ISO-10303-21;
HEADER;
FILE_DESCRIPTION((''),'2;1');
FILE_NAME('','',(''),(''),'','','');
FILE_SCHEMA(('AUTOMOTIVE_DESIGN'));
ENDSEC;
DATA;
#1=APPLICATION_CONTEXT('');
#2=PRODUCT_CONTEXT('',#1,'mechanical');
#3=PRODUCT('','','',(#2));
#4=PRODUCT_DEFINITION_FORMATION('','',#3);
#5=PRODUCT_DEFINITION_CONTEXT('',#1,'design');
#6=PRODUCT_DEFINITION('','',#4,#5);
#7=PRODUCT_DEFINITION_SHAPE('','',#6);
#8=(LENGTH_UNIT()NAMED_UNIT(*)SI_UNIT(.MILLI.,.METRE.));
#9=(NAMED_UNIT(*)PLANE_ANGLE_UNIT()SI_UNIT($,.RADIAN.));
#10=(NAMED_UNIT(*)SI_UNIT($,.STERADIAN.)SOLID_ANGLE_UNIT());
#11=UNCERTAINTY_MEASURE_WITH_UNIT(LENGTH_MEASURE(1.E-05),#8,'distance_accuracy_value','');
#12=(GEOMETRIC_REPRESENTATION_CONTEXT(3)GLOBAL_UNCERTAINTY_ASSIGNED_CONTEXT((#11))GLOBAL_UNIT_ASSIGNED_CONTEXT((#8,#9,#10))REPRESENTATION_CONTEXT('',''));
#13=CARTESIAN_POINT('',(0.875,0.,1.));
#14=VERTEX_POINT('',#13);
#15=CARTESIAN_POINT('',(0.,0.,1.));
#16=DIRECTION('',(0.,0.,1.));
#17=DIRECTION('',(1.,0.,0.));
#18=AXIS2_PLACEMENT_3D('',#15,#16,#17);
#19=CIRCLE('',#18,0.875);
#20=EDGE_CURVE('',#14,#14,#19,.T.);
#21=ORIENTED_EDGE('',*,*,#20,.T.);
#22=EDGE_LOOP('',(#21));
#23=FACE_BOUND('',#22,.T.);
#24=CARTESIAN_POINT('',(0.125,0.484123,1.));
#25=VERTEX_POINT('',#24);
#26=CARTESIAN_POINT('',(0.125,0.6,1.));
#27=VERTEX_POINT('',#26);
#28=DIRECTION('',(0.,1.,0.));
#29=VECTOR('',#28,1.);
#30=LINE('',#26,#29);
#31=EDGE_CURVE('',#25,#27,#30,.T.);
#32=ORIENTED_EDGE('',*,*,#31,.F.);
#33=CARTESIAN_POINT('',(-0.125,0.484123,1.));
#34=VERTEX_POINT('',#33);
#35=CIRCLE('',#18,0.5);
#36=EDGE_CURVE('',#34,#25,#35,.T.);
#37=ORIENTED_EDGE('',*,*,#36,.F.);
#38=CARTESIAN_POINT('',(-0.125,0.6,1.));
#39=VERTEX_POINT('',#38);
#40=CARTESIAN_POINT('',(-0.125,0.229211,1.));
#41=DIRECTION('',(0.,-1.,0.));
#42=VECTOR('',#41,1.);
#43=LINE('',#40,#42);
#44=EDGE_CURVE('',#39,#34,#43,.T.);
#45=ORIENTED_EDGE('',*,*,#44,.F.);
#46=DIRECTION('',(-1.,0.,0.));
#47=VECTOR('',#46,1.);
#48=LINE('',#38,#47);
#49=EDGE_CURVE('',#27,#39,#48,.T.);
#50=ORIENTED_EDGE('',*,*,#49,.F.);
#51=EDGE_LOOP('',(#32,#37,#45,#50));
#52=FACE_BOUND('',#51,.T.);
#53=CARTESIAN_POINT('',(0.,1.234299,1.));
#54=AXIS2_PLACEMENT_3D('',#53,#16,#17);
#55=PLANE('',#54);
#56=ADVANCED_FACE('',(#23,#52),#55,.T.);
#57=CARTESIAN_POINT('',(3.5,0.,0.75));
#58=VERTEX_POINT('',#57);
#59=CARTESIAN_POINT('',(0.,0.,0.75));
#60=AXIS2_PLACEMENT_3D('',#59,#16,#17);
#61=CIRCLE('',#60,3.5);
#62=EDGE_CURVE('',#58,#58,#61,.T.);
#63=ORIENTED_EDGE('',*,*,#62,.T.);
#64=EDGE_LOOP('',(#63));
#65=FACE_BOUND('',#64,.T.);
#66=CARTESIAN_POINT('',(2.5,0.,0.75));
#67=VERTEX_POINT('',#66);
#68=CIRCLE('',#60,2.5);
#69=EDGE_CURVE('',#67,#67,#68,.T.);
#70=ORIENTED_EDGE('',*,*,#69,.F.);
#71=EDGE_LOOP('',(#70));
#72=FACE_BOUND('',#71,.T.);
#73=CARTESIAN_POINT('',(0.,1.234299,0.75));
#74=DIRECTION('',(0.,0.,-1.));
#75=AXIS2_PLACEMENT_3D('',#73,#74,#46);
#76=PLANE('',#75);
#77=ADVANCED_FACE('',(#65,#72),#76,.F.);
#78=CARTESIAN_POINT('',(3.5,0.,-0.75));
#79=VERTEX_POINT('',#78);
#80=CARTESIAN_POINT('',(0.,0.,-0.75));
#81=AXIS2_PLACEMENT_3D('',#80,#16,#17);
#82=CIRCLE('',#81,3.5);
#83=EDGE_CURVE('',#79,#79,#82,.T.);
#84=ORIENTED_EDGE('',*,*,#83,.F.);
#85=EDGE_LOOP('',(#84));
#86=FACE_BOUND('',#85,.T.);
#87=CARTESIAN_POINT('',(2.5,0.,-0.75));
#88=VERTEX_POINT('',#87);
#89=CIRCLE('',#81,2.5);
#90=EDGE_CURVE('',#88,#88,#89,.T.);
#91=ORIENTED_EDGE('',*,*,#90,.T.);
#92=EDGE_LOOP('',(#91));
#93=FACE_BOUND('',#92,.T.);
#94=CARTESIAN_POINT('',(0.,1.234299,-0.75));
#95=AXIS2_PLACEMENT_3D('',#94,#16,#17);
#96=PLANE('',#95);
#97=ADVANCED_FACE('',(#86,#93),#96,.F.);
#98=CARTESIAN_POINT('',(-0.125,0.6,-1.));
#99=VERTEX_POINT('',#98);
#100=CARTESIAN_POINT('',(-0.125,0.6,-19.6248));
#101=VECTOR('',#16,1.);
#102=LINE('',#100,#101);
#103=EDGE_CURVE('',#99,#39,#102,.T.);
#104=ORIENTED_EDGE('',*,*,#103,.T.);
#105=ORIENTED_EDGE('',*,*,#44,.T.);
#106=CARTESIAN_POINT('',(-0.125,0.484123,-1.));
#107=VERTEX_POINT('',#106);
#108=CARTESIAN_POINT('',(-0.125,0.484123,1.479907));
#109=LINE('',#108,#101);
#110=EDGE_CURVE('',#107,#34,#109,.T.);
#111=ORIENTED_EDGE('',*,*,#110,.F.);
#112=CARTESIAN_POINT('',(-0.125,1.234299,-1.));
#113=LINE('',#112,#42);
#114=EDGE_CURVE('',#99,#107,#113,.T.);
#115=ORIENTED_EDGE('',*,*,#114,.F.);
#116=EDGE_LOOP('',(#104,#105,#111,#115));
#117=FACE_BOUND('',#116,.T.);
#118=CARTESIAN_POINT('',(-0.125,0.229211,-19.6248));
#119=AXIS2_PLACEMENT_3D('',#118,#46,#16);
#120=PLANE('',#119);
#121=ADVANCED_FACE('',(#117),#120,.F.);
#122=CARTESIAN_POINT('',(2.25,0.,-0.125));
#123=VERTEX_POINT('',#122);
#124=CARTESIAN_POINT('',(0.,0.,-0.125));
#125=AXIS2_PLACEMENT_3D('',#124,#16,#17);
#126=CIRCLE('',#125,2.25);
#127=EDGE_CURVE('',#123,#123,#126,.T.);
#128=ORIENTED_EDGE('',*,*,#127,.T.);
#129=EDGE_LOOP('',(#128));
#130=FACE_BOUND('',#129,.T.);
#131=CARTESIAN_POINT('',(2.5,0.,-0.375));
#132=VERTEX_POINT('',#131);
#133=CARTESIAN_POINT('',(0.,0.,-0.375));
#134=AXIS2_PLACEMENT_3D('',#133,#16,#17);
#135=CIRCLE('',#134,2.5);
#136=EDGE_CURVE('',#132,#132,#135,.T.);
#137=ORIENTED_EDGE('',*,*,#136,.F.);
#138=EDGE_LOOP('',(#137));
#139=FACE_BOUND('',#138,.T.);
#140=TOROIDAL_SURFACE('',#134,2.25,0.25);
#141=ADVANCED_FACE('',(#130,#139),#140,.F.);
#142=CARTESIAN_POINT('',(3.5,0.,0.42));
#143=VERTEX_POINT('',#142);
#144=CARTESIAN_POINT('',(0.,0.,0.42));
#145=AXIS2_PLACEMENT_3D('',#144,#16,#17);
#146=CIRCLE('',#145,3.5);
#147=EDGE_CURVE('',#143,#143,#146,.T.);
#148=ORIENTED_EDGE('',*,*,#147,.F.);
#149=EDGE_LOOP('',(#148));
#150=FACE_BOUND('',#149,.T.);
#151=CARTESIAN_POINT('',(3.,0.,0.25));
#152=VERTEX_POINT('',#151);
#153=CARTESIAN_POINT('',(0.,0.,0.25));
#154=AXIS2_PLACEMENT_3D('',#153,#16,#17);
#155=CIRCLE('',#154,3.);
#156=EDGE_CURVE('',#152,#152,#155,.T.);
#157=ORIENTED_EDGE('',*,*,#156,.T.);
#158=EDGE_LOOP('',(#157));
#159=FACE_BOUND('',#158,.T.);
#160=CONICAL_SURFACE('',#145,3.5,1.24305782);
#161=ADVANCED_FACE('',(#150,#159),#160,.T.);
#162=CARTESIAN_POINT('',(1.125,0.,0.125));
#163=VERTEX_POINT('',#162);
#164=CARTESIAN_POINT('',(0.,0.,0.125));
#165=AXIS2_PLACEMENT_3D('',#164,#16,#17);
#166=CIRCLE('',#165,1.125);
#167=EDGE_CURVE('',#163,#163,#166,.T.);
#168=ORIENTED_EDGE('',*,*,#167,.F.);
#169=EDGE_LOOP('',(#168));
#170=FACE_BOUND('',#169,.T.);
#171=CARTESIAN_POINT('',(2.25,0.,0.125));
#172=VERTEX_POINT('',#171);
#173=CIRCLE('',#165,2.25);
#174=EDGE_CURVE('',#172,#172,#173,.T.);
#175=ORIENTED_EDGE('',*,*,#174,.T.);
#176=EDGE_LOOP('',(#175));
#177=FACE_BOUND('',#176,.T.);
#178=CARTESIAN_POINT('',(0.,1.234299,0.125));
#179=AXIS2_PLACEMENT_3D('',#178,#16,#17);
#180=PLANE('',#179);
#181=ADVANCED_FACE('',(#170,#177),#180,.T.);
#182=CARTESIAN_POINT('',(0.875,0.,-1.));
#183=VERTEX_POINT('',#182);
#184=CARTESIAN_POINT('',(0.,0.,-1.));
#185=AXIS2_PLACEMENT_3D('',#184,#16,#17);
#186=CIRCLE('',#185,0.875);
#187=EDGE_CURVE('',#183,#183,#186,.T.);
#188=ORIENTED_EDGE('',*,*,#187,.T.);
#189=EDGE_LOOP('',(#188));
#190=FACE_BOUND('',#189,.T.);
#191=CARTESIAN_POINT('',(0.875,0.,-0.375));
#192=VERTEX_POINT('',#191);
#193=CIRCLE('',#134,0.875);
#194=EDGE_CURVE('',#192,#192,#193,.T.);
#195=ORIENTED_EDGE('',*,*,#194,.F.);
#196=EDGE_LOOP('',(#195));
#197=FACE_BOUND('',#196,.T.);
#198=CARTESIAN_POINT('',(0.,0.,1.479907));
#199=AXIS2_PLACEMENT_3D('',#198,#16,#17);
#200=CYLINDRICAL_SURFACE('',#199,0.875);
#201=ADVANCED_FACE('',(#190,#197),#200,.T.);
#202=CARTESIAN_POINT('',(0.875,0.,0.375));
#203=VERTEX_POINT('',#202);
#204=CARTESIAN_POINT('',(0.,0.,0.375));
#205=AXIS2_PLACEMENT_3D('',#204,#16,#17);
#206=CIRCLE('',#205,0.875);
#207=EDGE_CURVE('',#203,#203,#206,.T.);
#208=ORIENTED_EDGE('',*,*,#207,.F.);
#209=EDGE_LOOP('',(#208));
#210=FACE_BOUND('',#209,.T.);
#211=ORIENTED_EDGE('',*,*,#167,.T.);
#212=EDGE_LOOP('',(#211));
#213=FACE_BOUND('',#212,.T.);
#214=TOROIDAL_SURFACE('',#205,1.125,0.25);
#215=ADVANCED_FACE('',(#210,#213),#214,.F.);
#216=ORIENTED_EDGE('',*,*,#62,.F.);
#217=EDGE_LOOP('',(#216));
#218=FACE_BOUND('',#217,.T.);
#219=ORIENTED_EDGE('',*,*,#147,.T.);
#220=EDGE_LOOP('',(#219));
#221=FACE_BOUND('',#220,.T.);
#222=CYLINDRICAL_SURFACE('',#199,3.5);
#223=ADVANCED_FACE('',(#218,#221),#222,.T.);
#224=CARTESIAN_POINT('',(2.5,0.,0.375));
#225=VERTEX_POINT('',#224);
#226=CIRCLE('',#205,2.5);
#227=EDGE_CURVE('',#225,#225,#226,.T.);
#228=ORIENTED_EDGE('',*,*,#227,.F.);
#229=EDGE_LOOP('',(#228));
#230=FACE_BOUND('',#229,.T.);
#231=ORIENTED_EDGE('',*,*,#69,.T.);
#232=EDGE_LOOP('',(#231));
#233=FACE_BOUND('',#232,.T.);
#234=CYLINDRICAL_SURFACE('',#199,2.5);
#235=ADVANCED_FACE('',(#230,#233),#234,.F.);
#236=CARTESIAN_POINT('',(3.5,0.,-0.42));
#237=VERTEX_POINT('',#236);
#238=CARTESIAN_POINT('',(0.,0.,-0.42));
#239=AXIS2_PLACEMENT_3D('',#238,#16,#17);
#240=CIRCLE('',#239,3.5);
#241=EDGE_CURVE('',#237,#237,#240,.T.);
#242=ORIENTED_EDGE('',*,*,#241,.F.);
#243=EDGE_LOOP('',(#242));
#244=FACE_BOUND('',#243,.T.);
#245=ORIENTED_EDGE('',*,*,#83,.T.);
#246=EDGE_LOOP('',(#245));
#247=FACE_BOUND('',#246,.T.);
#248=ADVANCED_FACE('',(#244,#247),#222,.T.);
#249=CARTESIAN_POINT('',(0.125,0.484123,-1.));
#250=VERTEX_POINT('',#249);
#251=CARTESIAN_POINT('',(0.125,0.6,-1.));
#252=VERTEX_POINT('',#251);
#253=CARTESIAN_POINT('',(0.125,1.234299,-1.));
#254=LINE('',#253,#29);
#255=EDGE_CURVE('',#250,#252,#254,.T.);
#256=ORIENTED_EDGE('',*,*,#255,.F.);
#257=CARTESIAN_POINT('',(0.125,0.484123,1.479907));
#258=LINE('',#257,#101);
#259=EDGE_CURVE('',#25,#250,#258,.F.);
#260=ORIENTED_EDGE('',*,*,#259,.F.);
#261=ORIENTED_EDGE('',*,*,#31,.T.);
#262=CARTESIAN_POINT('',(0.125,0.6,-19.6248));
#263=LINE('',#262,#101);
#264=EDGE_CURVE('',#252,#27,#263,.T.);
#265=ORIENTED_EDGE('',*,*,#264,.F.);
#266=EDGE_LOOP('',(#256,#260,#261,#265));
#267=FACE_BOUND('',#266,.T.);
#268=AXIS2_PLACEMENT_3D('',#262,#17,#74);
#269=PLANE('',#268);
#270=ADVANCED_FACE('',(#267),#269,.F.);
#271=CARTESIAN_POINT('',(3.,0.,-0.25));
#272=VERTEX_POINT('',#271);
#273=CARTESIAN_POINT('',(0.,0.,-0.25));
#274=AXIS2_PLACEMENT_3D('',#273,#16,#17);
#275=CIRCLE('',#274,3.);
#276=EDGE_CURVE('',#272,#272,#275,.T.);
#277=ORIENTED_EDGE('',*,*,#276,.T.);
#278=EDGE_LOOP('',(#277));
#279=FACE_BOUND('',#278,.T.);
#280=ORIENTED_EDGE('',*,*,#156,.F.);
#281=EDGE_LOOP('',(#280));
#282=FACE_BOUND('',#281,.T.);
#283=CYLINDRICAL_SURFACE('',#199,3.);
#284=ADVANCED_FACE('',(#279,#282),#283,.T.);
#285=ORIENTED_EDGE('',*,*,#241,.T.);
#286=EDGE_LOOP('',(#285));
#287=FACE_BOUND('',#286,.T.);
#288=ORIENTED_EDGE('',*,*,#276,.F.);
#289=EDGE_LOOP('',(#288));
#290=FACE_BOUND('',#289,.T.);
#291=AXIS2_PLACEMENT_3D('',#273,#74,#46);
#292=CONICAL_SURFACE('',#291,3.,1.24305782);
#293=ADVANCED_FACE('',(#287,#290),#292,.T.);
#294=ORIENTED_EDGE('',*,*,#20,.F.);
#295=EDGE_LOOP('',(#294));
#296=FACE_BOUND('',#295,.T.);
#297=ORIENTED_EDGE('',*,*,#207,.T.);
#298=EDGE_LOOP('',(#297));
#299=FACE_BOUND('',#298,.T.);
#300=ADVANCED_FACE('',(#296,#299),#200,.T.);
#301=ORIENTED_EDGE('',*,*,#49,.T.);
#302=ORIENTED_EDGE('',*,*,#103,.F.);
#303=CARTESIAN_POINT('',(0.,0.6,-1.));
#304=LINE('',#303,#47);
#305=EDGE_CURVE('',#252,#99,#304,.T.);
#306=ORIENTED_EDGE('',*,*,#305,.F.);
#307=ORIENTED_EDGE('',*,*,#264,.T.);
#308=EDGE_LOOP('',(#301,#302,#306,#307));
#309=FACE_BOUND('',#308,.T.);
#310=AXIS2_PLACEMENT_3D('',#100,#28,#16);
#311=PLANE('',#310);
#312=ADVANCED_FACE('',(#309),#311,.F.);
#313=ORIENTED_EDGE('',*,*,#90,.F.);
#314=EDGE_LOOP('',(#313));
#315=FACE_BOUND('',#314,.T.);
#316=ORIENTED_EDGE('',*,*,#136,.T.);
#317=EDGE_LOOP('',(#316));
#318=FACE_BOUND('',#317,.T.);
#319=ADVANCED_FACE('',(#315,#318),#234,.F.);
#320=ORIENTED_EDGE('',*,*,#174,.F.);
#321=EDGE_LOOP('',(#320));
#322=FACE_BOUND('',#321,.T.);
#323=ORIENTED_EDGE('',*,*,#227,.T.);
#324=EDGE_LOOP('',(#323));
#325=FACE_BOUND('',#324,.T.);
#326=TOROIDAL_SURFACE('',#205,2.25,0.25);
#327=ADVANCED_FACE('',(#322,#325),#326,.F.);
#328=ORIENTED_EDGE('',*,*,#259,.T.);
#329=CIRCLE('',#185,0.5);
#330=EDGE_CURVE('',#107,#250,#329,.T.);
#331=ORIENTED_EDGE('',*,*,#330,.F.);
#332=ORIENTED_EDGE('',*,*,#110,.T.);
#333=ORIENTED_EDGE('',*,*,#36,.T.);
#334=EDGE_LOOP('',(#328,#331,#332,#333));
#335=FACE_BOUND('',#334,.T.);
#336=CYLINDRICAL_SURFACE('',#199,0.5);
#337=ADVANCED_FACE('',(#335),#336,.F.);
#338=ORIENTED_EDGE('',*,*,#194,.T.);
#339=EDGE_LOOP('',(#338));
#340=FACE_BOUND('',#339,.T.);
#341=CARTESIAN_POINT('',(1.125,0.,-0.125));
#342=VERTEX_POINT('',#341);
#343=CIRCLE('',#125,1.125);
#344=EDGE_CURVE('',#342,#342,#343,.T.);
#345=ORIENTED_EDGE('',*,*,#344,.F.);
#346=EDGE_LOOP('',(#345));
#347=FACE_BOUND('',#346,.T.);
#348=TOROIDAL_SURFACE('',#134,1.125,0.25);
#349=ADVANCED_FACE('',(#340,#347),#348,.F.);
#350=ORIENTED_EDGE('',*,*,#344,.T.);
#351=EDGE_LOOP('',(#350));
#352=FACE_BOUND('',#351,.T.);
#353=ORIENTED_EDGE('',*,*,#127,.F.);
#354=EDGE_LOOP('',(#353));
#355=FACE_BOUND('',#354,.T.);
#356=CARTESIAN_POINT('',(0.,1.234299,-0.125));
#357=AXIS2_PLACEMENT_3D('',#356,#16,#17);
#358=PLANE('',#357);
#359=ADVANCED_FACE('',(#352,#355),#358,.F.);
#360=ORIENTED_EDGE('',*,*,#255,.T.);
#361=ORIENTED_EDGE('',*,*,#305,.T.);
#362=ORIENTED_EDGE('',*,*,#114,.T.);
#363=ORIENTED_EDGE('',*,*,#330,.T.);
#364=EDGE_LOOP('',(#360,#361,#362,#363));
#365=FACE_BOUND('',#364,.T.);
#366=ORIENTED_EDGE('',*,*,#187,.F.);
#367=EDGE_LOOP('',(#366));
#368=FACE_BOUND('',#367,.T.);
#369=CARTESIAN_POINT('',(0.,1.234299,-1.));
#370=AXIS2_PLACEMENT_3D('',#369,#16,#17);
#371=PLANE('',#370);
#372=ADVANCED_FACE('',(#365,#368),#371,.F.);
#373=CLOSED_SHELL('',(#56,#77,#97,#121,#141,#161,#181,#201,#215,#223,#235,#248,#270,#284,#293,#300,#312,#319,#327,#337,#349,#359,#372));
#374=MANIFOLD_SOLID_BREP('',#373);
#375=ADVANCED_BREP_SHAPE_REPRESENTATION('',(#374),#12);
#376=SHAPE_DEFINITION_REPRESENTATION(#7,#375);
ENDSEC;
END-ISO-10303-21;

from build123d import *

# Parameters (mm, degrees)
SKETCH2_W          = 0.25
SKETCH2_H          = 0.370788844
CUT_EXTRUDE1_DEPTH = 20.6248


with BuildPart() as part:
    # Sketch1 → Revolve1 (revolve)
    with BuildSketch(Plane(origin=(0, 0, 0), x_dir=(0, 0, -1), z_dir=(1, 0, 0))):
        with BuildLine():
            Line((1, 0.875), (0.375, 0.875))
            ThreePointArc((0.375, 0.875), (0.198223305, 0.948223305), (0.125, 1.125))
            Line((0.125, 1.125), (0.125, 2.25))
            ThreePointArc((0.125, 2.25), (0.198223305, 2.426776695), (0.375, 2.5))
            Line((0.375, 2.5), (0.75, 2.5))
            Line((0.75, 2.5), (0.75, 3.5))
            Line((0.75, 3.5), (0.42, 3.5))
            Line((0.42, 3.5), (0.25, 3))
            Line((0.25, 3), (-0.25, 3))
            Line((-0.25, 3), (-0.42, 3.5))
            Line((-0.42, 3.5), (-0.75, 3.5))
            Line((-0.75, 3.5), (-0.75, 2.5))
            Line((-0.75, 2.5), (-0.375, 2.5))
            ThreePointArc((-0.375, 2.5), (-0.198223305, 2.426776695), (-0.125, 2.25))
            Line((-0.125, 2.25), (-0.125, 1.125))
            ThreePointArc((-0.125, 1.125), (-0.198223305, 0.948223305), (-0.375, 0.875))
            Line((-0.375, 0.875), (-1, 0.875))
            Line((-1, 0.875), (-1, 0.5))
            Line((-1, 0.5), (1, 0.5))
            Line((1, 0.5), (1, 0.875))
        make_face()
    revolve(axis=Axis((0, 0, 1.479906814), (0, 0, -1)))

    # Sketch2 → Cut-Extrude1 (cut)
    with BuildSketch(Plane.XY.offset(1)):
        with Locations((0, 0.414605578)):
            Rectangle(SKETCH2_W, SKETCH2_H)
    extrude(amount=-CUT_EXTRUDE1_DEPTH, mode=Mode.SUBTRACT)


solid = part.part
